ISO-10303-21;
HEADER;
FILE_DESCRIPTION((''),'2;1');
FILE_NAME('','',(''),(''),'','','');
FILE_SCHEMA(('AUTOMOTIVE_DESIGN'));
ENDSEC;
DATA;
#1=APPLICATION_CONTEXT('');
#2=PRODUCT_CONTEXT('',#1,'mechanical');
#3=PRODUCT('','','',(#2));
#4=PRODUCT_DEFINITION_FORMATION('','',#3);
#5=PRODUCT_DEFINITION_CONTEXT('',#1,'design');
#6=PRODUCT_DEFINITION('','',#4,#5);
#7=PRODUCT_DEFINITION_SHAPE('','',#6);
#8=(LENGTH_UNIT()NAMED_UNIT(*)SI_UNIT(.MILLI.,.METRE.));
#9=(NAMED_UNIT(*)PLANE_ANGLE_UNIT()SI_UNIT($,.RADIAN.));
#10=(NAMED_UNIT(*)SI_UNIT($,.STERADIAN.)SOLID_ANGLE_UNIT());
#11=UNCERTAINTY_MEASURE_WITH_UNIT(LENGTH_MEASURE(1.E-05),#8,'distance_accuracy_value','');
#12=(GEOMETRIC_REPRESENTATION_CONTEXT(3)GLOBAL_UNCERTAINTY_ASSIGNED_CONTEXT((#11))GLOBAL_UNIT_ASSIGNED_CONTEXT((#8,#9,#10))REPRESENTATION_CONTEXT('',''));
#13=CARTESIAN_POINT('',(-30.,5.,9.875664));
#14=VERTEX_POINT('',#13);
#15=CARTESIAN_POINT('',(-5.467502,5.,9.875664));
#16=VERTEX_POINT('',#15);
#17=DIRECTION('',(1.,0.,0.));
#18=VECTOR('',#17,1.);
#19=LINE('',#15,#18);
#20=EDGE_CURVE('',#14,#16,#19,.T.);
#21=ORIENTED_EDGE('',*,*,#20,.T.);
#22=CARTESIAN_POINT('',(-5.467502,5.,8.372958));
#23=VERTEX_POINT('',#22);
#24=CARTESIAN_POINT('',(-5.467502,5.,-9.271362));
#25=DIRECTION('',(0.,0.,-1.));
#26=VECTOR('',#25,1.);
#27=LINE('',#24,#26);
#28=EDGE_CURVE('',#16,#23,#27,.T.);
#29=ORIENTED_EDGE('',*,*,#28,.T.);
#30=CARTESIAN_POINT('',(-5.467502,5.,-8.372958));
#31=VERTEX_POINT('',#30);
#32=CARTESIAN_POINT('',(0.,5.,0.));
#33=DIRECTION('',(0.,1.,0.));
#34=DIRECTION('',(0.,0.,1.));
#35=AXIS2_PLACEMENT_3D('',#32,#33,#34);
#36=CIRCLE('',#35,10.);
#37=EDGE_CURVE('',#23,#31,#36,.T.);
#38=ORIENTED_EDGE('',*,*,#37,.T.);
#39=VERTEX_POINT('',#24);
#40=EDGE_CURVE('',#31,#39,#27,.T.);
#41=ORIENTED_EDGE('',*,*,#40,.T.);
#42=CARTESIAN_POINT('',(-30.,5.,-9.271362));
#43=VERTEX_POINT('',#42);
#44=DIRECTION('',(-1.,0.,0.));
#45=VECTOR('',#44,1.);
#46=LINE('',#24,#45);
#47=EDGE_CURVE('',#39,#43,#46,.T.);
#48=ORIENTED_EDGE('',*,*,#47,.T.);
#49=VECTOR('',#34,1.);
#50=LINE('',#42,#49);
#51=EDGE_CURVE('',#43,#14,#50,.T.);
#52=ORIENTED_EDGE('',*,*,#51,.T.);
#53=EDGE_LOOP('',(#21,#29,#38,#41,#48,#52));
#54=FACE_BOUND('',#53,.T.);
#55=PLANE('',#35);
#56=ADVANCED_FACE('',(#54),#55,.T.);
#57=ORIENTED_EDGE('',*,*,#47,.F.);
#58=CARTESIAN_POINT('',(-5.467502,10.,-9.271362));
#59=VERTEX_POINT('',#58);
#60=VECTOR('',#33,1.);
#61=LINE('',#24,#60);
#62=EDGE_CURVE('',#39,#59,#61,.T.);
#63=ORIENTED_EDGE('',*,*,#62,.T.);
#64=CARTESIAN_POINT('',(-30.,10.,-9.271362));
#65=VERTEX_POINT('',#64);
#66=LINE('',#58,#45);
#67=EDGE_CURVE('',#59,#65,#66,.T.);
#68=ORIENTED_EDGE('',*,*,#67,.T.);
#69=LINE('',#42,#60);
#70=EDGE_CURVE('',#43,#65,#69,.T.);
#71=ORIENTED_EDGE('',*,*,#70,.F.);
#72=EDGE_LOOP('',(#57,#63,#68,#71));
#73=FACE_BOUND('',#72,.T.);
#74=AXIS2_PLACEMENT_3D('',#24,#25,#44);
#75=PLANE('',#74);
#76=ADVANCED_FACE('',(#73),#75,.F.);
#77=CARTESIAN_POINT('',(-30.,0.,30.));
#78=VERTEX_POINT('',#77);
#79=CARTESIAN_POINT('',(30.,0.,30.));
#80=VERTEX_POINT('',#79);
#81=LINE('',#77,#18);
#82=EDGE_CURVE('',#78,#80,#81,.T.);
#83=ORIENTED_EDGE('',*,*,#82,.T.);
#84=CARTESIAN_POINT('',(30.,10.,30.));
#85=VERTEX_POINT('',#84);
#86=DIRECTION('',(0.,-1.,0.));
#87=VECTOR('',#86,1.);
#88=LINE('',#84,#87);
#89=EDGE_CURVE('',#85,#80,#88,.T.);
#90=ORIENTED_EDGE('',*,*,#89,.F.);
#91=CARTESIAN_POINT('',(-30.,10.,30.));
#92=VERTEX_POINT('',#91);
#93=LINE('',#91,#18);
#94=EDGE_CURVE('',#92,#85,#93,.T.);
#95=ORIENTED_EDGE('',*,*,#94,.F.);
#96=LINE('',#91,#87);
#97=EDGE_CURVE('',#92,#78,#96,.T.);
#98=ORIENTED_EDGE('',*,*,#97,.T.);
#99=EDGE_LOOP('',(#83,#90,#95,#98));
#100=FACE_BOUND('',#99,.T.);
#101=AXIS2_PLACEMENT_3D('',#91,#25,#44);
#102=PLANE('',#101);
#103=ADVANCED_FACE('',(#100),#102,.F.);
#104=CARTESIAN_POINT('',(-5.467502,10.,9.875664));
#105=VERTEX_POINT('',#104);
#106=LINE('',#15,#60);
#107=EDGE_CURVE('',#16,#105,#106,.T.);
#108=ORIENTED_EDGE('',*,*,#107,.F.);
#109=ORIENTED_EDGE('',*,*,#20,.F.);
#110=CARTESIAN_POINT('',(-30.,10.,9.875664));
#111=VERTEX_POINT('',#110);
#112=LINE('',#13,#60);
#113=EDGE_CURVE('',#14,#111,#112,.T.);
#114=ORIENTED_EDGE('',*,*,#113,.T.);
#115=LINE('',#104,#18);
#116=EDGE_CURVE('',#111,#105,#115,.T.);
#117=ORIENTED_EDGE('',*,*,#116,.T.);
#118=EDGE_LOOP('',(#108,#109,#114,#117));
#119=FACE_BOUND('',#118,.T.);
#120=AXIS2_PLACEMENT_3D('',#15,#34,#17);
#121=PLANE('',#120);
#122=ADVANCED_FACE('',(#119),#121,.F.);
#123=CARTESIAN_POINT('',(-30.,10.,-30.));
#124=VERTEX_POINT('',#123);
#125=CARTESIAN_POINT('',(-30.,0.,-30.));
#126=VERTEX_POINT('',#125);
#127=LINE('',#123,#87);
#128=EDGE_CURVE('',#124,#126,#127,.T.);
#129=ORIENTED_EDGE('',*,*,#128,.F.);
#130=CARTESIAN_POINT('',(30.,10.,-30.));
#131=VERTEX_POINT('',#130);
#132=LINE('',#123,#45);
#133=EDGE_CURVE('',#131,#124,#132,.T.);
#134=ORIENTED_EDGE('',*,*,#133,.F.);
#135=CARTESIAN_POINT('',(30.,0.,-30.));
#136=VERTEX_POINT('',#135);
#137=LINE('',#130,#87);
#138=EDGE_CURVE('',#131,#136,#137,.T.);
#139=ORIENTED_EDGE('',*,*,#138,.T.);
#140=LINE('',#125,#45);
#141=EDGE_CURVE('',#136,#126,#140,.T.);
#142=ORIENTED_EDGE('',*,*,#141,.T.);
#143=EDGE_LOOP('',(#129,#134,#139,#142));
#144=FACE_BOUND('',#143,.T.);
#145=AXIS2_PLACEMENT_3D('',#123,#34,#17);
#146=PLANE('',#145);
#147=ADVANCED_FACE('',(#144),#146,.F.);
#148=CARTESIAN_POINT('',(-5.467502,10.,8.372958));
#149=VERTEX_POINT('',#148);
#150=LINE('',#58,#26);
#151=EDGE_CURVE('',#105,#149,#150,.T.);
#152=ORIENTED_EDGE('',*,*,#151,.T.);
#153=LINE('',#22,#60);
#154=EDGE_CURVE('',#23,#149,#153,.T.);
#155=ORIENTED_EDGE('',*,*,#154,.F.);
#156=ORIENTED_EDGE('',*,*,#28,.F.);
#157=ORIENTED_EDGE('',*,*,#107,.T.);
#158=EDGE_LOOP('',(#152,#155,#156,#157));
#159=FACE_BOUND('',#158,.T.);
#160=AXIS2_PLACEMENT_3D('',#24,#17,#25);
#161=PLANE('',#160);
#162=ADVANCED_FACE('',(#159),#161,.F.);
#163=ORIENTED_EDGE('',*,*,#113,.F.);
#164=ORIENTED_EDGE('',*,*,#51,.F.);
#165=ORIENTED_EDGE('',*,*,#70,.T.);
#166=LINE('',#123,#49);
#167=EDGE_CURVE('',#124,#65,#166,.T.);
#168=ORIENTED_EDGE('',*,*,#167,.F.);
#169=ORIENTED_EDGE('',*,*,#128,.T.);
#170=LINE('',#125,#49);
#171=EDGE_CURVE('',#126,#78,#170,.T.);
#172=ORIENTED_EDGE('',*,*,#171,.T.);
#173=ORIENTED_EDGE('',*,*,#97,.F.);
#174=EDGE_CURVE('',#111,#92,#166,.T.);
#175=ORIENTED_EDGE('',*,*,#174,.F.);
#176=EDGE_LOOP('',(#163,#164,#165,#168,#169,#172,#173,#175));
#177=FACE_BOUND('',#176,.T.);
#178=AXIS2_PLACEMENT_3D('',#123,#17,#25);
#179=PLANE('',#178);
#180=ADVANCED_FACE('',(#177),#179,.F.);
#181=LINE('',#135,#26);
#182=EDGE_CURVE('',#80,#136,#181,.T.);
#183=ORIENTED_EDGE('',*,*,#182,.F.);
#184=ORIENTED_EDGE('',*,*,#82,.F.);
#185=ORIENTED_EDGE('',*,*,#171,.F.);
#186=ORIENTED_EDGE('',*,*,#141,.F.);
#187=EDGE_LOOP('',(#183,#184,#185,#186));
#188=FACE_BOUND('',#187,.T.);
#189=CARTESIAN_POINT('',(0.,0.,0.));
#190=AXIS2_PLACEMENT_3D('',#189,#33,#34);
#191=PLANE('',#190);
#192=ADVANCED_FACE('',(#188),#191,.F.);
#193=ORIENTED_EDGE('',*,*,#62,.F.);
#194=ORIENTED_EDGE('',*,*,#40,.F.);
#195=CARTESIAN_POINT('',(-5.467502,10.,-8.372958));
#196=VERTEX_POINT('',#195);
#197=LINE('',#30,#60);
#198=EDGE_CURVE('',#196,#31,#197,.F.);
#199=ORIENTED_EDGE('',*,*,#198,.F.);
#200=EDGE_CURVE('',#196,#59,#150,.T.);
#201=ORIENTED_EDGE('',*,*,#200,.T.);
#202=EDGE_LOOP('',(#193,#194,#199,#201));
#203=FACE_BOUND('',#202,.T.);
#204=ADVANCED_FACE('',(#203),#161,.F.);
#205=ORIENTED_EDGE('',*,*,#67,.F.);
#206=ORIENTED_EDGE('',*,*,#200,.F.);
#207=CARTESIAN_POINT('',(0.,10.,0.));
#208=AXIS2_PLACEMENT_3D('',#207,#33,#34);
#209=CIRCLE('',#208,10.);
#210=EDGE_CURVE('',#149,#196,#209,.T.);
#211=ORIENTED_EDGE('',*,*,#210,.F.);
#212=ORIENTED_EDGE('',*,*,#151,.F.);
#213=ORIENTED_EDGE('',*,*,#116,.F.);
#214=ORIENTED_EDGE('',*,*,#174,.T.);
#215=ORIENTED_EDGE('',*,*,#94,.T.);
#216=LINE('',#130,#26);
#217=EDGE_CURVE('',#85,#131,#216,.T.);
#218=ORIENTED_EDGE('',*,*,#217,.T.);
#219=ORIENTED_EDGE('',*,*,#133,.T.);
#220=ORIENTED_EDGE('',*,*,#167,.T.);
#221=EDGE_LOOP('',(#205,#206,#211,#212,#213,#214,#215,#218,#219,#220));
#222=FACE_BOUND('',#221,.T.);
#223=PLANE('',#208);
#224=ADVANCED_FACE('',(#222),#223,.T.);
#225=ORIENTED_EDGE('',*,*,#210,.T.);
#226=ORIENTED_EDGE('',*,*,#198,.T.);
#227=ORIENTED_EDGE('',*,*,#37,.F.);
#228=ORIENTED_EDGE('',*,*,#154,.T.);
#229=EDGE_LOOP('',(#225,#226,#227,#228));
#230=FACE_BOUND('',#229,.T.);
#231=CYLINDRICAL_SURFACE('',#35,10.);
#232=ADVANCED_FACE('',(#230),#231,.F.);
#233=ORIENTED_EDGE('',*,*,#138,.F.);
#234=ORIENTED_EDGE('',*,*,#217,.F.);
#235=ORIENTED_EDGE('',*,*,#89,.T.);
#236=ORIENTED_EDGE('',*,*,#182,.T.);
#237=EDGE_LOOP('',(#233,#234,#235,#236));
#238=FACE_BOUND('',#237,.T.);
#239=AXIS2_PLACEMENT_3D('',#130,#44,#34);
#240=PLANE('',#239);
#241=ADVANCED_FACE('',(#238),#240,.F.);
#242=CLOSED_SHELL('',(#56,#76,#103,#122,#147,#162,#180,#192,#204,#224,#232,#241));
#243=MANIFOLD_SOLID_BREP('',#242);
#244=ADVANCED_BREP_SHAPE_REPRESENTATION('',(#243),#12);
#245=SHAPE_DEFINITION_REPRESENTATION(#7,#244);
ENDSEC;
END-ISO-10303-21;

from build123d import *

# Parameters (mm, degrees)
SKETCH1_W           = 60
SKETCH1_H           = 60
BOSS_EXTRUDE1_DEPTH = 10
SKETCH3_R           = 10
CUT_EXTRUDE1_DEPTH  = 5
SKETCH4_W           = 24.532497745
SKETCH4_H           = 19.147026564
CUT_EXTRUDE2_DEPTH  = 5


with BuildPart() as part:
    # Sketch1 → Boss-Extrude1 (new body)
    with BuildSketch(Plane(origin=(0, 0, 0), x_dir=(1, 0, 0), z_dir=(0, 1, 0))):
        Rectangle(SKETCH1_W, SKETCH1_H)
    extrude(amount=BOSS_EXTRUDE1_DEPTH)

    # Sketch3 → Cut-Extrude1 (cut)
    with BuildSketch(Plane(origin=(0, 10, 0), x_dir=(1, 0, 0), z_dir=(0, 1, 0))):
        with Locations(Location((0, 0, 0), (0, 0, 270))):
            Circle(SKETCH3_R)
    extrude(amount=-CUT_EXTRUDE1_DEPTH, mode=Mode.SUBTRACT)

    # Sketch4 → Cut-Extrude2 (cut)
    with BuildSketch(Plane(origin=(0, 10, 0), x_dir=(1, 0, 0), z_dir=(0, 1, 0))):
        with Locations((-17.733751128, -0.302151095)):
            Rectangle(SKETCH4_W, SKETCH4_H)
    extrude(amount=-CUT_EXTRUDE2_DEPTH, mode=Mode.SUBTRACT)


solid = part.part
